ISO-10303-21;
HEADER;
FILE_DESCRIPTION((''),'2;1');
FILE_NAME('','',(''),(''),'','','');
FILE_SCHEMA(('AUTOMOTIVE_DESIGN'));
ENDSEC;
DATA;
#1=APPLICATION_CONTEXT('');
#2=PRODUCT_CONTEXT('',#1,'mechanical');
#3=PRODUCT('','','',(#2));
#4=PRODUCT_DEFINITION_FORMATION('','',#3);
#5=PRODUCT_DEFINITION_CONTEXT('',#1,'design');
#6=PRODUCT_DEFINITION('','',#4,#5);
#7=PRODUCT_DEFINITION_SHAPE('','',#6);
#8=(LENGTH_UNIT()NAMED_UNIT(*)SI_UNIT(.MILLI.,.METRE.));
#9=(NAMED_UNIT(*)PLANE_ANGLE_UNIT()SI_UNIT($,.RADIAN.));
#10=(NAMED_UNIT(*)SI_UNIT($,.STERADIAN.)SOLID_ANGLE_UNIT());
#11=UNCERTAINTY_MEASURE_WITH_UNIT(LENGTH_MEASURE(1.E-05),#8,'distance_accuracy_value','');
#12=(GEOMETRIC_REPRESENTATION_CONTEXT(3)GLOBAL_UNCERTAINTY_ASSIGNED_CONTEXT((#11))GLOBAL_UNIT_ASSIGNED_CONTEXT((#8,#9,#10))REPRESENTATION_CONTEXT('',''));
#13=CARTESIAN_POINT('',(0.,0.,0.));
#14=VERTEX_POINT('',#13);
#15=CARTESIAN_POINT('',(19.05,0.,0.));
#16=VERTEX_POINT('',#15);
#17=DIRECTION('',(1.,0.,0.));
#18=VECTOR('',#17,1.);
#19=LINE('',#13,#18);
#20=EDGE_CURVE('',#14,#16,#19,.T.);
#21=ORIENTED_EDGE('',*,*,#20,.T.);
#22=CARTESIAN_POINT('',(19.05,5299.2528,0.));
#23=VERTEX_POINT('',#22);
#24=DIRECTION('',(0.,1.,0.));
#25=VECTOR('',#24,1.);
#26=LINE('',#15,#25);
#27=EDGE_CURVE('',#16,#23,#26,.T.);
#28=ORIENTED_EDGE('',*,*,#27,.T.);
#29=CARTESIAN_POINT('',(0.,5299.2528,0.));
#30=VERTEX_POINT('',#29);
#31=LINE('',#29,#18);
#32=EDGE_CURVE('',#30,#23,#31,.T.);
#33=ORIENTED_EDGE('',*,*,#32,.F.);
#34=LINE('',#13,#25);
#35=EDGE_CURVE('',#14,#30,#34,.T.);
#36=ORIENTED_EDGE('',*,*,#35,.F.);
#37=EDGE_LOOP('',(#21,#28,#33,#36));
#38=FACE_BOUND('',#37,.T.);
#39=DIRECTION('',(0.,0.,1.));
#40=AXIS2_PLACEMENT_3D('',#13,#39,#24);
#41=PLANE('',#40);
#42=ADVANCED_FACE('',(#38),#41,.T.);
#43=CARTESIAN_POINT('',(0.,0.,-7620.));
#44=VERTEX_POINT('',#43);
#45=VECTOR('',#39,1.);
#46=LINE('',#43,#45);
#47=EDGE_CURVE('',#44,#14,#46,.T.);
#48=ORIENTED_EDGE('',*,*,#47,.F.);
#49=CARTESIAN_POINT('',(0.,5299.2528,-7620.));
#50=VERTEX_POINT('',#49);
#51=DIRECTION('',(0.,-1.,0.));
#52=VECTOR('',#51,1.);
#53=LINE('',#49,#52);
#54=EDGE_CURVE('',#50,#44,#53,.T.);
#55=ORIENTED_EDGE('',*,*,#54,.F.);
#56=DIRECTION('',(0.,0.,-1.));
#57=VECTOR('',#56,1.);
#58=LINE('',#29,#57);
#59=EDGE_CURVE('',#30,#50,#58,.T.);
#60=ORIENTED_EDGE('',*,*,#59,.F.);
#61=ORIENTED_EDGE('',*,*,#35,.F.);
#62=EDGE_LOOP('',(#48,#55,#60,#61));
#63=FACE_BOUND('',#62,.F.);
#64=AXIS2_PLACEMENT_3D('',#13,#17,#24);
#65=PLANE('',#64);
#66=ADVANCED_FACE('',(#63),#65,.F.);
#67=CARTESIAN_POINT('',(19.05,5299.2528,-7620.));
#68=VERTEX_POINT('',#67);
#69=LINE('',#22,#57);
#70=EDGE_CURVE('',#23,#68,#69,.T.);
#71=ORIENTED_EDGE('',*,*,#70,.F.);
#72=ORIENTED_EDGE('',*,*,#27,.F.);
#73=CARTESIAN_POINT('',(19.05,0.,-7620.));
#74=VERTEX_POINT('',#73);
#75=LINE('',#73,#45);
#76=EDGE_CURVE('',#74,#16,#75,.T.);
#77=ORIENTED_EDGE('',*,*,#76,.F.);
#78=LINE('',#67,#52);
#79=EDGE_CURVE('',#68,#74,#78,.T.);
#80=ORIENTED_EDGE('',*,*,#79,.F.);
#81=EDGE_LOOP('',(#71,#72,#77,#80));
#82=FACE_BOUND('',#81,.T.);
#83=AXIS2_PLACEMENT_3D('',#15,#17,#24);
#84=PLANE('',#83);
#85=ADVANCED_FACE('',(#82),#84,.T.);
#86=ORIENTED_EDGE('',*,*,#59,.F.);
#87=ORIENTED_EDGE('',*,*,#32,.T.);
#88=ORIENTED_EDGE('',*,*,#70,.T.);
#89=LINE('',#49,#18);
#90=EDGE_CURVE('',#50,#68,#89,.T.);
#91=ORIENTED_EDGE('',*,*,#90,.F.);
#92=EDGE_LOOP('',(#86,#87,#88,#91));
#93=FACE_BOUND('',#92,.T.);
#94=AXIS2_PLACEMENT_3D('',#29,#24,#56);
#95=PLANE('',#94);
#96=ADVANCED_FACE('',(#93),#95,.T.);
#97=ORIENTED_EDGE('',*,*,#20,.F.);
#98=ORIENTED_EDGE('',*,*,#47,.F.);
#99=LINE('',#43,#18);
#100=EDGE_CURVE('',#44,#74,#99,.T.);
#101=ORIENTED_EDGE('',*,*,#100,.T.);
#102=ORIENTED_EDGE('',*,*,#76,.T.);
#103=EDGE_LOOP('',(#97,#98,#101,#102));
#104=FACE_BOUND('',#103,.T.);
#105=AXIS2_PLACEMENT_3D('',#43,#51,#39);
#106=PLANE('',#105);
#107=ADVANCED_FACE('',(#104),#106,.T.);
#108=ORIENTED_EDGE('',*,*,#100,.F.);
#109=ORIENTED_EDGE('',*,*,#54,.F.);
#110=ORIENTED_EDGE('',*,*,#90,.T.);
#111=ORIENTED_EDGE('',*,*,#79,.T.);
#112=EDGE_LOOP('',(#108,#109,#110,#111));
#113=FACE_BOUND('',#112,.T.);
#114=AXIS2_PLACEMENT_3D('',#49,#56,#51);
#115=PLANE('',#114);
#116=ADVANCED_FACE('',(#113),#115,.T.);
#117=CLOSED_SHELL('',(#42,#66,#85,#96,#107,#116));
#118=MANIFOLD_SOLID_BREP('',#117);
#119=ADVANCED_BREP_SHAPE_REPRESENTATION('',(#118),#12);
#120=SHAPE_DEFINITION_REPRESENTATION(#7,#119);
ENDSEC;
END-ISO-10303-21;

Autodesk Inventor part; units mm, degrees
ref_plane "YZ Plane" through (0, 0, 0) normal (1, 0, 0) x (0, 1, 0)
ref_plane "XZ Plane" through (0, 0, 0) normal (0, 1, 0) x (-1, 0, 0)
ref_plane "XY Plane" through (0, 0, 0) normal (0, 0, 1) x (1, 0, 0)
sketch "Sketch1" plane through (0, 0, 0) normal (1, 0, 0) x (0, 1, 0)
  line L0 (0, 0) -> (5299.2528, 0)
  line L1 (5299.2528, 0) -> (5299.2528, -7620)
  line L2 (5299.2528, -7620) -> (0, -7620)
  line L3 (0, -7620) -> (0, 0)
  dimension "d2" = 7620
  dimension "d3" = 5299.2528
extrude "Extrusion1" add sketch "Sketch1" along normal blind 19.05
properties part number "Sheathing" material "Wood (Southern Pine)"
